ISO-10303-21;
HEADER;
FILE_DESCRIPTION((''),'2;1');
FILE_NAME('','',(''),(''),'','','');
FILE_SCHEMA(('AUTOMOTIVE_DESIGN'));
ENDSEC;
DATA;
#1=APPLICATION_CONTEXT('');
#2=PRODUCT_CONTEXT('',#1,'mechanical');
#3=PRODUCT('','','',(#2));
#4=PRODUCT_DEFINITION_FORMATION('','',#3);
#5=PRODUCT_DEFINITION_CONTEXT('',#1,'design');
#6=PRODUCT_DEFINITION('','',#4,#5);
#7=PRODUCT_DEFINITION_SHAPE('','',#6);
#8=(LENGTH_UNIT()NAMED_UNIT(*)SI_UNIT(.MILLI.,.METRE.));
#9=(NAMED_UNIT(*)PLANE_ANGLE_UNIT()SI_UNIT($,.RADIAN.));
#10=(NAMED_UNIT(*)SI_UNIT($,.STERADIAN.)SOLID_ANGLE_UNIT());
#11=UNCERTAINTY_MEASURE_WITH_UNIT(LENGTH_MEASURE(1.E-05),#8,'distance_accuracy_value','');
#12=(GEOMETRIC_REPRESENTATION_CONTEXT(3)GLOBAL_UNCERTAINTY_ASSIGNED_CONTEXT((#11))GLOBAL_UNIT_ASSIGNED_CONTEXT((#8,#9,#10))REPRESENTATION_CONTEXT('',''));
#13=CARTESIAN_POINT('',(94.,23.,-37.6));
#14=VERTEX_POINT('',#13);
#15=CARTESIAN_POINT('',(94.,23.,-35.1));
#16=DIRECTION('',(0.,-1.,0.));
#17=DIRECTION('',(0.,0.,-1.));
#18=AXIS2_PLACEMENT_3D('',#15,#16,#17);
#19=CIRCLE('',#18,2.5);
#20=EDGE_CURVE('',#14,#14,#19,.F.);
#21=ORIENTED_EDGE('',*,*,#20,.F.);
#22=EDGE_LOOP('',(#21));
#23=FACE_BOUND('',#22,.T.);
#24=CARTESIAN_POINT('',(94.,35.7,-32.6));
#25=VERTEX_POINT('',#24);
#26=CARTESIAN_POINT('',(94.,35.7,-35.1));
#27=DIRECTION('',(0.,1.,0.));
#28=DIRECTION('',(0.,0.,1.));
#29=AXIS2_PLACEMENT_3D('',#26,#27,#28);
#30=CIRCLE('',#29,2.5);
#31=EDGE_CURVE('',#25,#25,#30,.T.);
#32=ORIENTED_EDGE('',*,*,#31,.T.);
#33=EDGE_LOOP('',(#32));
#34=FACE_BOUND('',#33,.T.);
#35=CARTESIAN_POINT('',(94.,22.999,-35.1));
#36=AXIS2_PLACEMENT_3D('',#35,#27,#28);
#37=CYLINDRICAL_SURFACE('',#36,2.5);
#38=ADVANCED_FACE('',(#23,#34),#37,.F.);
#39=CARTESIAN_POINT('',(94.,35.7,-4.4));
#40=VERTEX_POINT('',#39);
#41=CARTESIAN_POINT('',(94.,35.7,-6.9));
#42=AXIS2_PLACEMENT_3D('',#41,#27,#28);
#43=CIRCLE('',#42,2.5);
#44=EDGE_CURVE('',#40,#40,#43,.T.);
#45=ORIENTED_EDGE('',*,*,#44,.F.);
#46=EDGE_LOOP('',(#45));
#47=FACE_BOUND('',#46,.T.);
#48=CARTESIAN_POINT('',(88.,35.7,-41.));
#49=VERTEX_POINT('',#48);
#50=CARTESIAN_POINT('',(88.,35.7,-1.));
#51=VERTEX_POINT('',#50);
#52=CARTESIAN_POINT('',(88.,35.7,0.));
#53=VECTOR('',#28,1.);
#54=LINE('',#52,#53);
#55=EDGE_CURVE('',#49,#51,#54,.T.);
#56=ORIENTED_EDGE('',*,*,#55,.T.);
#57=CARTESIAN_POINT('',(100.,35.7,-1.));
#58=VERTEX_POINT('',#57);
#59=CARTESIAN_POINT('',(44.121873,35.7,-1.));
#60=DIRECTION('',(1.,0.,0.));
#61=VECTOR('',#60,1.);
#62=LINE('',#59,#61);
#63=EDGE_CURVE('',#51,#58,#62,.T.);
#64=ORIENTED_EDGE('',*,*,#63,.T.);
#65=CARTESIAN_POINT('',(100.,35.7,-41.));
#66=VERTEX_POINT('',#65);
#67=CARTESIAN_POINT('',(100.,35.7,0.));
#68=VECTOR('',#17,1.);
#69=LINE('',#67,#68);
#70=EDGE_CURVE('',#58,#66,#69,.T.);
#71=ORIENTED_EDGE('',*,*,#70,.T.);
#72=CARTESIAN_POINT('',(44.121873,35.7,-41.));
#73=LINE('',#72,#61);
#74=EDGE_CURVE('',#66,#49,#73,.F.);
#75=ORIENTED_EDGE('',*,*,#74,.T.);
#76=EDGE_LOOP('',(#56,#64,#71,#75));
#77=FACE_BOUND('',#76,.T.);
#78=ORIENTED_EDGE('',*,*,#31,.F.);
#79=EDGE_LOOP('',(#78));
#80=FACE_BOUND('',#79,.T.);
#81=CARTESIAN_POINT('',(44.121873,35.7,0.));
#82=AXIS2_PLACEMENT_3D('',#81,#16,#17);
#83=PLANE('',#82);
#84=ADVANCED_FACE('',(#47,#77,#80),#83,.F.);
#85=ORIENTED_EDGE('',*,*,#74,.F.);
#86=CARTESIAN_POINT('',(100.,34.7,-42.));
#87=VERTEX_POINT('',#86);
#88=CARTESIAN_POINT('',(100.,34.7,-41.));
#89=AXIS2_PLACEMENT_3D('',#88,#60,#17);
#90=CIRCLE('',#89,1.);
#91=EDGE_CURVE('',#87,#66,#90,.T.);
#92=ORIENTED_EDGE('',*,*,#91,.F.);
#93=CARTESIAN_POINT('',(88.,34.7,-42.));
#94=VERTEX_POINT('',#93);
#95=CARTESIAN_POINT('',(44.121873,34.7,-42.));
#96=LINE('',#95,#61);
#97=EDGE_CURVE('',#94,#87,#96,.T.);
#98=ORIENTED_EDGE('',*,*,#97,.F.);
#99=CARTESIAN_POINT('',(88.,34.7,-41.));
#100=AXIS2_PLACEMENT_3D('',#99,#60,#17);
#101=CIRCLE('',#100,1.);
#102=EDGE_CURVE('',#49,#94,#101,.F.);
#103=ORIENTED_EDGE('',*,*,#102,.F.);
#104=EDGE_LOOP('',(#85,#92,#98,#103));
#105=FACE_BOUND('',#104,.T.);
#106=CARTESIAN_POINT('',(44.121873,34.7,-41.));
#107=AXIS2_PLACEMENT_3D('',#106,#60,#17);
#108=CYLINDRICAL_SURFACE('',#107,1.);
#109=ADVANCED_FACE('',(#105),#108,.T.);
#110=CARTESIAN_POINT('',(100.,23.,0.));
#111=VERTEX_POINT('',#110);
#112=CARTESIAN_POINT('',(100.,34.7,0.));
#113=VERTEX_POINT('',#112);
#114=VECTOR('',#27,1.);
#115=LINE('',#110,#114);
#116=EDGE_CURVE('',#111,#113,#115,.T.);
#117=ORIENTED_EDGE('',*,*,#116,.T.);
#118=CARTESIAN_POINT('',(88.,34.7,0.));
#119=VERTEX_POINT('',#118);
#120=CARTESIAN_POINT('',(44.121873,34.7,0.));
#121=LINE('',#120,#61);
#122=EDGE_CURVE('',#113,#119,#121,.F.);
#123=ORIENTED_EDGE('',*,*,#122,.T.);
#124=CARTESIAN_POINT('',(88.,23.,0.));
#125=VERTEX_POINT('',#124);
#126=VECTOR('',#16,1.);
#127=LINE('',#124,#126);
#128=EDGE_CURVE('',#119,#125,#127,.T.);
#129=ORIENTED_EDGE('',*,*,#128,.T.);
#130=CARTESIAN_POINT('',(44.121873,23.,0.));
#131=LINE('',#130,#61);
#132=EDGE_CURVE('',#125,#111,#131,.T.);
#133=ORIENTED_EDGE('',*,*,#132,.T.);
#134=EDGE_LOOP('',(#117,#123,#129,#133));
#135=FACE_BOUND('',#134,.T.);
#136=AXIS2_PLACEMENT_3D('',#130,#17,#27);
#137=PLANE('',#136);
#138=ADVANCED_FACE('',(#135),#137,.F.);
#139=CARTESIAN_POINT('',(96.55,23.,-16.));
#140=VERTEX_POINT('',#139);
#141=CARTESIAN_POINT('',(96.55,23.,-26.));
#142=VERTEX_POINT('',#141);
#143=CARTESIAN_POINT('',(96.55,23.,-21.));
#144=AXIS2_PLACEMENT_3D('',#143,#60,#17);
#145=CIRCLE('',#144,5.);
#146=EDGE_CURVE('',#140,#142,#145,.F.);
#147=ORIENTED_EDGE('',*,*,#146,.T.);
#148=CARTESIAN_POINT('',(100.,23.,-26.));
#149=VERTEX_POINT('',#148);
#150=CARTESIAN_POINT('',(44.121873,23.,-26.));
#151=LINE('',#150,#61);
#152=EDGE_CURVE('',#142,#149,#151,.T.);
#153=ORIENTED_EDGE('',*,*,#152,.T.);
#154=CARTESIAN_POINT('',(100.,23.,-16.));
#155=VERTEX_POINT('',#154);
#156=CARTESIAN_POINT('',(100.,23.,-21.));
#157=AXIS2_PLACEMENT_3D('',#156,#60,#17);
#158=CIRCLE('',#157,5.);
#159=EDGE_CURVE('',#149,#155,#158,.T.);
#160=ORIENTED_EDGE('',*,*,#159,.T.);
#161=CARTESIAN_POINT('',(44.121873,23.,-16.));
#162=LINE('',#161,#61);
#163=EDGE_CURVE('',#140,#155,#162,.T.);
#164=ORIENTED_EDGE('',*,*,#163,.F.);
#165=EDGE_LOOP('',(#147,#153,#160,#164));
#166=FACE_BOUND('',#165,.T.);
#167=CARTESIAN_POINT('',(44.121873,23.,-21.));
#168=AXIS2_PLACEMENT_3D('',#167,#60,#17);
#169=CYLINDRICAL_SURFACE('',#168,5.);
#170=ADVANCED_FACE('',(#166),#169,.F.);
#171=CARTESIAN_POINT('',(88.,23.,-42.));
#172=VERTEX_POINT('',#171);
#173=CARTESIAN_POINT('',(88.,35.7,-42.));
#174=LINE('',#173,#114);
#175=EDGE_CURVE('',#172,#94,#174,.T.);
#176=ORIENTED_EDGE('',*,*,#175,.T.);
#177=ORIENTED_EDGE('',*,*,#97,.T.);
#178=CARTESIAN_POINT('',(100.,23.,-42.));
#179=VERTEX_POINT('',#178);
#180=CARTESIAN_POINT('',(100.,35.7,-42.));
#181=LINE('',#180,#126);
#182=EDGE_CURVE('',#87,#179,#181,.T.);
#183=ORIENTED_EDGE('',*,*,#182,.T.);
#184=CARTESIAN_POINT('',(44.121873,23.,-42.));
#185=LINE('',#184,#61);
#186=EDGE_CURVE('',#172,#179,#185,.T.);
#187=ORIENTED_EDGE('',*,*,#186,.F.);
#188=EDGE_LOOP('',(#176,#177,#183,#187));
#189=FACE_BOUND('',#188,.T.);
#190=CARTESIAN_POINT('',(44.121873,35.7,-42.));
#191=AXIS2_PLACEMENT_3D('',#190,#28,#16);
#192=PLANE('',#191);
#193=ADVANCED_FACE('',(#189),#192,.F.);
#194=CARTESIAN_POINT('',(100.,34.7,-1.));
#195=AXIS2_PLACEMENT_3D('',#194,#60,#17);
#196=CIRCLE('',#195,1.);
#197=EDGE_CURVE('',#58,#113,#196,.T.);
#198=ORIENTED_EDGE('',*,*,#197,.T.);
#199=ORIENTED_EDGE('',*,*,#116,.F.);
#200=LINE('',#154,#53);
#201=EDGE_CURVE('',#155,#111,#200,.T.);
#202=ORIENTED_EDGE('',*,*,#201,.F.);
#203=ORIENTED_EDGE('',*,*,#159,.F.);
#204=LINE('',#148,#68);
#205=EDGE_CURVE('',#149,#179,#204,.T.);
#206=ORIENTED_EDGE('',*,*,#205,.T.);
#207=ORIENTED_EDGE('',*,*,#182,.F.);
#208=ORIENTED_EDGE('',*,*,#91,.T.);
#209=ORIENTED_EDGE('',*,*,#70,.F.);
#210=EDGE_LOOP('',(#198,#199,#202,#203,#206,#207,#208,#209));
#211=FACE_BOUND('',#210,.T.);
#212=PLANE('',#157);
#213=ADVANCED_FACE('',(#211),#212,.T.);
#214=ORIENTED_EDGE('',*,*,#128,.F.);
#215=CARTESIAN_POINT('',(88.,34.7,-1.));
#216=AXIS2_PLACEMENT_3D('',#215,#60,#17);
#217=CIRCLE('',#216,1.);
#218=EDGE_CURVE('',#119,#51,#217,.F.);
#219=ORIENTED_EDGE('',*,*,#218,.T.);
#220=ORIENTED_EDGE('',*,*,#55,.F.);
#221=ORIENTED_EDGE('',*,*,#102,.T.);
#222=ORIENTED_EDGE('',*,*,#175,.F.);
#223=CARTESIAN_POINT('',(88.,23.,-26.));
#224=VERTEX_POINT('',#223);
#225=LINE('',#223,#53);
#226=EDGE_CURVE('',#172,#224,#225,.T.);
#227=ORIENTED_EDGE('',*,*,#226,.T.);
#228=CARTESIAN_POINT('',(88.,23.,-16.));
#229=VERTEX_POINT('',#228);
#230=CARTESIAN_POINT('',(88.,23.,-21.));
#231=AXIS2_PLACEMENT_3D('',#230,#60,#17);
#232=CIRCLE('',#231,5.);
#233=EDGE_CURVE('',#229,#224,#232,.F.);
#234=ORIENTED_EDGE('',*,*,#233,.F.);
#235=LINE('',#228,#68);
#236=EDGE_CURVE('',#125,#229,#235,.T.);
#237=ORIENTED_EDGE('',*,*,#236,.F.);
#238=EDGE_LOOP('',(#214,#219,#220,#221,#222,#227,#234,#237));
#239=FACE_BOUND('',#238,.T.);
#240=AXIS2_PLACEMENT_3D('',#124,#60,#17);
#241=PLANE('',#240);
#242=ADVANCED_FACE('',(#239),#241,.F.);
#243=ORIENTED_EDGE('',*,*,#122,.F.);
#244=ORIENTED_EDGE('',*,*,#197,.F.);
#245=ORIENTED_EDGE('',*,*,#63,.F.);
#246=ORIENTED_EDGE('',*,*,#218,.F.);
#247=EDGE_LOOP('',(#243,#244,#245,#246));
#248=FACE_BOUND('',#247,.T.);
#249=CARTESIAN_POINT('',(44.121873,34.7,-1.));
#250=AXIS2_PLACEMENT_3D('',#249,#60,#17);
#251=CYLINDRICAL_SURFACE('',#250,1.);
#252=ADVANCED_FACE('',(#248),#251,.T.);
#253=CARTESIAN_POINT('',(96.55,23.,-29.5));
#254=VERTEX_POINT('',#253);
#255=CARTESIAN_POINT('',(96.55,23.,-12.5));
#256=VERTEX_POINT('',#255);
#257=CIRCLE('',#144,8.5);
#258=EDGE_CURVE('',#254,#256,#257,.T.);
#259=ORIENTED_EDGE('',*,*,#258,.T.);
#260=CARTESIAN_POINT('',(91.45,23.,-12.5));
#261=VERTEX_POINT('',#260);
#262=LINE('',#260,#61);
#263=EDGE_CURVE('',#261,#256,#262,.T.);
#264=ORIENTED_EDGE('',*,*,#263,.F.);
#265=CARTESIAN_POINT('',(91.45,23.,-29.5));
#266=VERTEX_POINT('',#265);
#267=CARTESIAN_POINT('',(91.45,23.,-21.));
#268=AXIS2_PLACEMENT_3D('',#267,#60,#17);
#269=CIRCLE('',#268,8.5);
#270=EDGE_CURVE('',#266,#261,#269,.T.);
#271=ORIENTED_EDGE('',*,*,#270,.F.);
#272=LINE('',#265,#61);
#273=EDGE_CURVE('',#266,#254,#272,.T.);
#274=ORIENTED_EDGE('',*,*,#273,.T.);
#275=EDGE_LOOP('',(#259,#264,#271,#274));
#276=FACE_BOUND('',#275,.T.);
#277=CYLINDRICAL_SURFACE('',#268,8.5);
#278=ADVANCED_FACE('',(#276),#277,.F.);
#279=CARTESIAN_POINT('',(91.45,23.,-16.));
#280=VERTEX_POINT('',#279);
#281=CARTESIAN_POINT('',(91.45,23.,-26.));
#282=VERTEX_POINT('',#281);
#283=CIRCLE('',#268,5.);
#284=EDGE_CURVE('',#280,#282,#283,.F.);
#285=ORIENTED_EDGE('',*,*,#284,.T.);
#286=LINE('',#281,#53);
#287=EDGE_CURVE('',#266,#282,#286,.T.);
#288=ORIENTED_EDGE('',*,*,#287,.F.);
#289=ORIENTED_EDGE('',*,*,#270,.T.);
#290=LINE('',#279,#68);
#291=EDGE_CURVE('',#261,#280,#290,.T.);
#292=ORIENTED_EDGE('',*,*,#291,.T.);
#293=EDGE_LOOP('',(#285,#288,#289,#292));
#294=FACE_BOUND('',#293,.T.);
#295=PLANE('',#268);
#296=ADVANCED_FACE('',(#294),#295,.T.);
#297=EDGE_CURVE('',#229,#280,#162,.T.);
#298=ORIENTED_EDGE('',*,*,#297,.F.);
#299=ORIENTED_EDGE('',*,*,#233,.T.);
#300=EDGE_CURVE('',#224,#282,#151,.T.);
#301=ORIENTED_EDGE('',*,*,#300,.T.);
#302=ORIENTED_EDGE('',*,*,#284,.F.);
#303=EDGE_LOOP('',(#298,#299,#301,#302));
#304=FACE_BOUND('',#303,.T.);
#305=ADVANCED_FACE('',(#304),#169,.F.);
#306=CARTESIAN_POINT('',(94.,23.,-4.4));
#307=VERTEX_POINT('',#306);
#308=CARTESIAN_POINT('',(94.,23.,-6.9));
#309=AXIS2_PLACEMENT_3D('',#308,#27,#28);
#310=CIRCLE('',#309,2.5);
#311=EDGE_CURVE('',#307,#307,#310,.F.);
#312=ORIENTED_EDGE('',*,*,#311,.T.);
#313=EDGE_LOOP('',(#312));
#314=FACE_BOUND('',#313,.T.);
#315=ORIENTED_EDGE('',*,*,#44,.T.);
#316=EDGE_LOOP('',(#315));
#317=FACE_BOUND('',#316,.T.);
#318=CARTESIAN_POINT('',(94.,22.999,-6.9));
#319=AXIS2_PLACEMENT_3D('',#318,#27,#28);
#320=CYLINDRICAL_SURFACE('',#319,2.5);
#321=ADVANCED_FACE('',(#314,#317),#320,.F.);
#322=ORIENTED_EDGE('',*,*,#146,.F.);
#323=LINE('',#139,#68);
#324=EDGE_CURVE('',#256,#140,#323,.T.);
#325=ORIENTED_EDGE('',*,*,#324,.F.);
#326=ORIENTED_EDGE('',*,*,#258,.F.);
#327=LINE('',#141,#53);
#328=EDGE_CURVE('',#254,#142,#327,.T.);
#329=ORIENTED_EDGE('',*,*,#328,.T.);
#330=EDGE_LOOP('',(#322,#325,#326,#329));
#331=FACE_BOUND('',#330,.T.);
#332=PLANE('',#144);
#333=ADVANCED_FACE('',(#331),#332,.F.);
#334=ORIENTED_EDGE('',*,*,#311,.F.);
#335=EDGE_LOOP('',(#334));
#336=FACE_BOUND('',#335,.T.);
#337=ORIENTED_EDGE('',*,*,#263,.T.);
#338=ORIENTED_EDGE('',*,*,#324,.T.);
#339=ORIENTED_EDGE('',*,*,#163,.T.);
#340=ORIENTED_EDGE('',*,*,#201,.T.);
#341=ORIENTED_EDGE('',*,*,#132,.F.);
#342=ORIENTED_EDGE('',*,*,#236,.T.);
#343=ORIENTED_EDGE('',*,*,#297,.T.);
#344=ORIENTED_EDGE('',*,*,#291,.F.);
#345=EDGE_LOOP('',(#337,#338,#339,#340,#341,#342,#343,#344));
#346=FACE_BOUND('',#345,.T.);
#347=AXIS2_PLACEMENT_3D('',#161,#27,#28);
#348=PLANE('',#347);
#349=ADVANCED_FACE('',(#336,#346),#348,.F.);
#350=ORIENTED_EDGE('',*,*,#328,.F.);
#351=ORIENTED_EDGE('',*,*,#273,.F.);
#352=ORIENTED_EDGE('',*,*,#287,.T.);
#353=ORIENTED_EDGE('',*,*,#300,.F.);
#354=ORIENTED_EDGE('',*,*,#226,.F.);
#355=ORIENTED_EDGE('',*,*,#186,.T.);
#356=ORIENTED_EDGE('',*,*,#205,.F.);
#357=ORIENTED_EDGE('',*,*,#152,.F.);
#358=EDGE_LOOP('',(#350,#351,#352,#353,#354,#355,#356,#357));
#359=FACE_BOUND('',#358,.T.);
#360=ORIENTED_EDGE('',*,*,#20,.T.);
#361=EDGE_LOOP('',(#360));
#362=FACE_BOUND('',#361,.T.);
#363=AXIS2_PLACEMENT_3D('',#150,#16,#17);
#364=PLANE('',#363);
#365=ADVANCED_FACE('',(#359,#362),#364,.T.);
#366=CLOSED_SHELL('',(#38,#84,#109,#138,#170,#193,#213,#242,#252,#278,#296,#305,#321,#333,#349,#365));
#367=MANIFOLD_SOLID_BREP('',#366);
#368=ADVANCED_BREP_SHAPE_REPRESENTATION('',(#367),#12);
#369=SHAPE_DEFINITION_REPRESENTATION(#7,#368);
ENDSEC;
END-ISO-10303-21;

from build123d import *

# Parameters (mm, degrees)
BOSS_EXTRUDE1_DEPTH = 12
SKETCH2_R           = 8.5
CUT_EXTRUDE1_DEPTH  = 2.55
CUT_EXTRUDE2_REACH  = 111.203
SKETCH3_R           = 2.5
FILLET1_R           = 1


with BuildPart() as part:
    # Sketch1 → Boss-Extrude1 (new body)
    with BuildSketch(Plane(origin=(100, 0, 0), x_dir=(0, 0, -1), z_dir=(1, 0, 0))):
        with BuildLine():
            Line((0, 23), (0, 35.7))
            Line((0, 35.7), (42, 35.7))
            Line((42, 35.7), (42, 23))
            Line((42, 23), (26, 23))
            ThreePointArc((26, 23), (21, 28), (16, 23))
            Line((16, 23), (0, 23))
        make_face()
    extrude(amount=-BOSS_EXTRUDE1_DEPTH)

    # Sketch2 → Cut-Extrude1 (cut, symmetric)
    with BuildSketch(Plane(origin=(94, 0, 0), x_dir=(0, 0, -1), z_dir=(1, 0, 0))):
        with Locations((21, 23)):
            Circle(SKETCH2_R)
    extrude(amount=CUT_EXTRUDE1_DEPTH, both=True, mode=Mode.SUBTRACT)

    # Sketch3 → Cut-Extrude2 (cut, up to next)
    with BuildSketch(Plane(origin=(0, 35.7, 0), x_dir=(1, 0, 0), z_dir=(0, 1, 0)), mode=Mode.PRIVATE) as cut_extrude2_sk1:
        with Locations(Location((94, 35.1, 0), (0, 0, 270))):
            Circle(SKETCH3_R)
    cut_extrude2_tool1 = extrude(cut_extrude2_sk1.sketch, amount=-CUT_EXTRUDE2_REACH, mode=Mode.PRIVATE) & part.part
    # Sketch3 → Cut-Extrude2 (cut, up to next)
    with BuildSketch(Plane(origin=(0, 35.7, 0), x_dir=(1, 0, 0), z_dir=(0, 1, 0)), mode=Mode.PRIVATE) as cut_extrude2_sk2:
        with Locations(Location((94, 6.9, 0), (0, 0, 270))):
            Circle(SKETCH3_R)
    cut_extrude2_tool2 = extrude(cut_extrude2_sk2.sketch, amount=-CUT_EXTRUDE2_REACH, mode=Mode.PRIVATE) & part.part
    add(cut_extrude2_tool1.solids().sort_by_distance((94, 35.7, -35.1))[0], mode=Mode.SUBTRACT)
    add(cut_extrude2_tool2.solids().sort_by_distance((94, 35.7, -6.9))[0], mode=Mode.SUBTRACT)

    # Fillet1
    fillet1_edges = [part.edges().sort_by_distance(p)[0] for p in [
        (94, 35.7, 0),
        (94, 35.7, -42),
    ]]
    fillet(fillet1_edges, radius=FILLET1_R)


solid = part.part
